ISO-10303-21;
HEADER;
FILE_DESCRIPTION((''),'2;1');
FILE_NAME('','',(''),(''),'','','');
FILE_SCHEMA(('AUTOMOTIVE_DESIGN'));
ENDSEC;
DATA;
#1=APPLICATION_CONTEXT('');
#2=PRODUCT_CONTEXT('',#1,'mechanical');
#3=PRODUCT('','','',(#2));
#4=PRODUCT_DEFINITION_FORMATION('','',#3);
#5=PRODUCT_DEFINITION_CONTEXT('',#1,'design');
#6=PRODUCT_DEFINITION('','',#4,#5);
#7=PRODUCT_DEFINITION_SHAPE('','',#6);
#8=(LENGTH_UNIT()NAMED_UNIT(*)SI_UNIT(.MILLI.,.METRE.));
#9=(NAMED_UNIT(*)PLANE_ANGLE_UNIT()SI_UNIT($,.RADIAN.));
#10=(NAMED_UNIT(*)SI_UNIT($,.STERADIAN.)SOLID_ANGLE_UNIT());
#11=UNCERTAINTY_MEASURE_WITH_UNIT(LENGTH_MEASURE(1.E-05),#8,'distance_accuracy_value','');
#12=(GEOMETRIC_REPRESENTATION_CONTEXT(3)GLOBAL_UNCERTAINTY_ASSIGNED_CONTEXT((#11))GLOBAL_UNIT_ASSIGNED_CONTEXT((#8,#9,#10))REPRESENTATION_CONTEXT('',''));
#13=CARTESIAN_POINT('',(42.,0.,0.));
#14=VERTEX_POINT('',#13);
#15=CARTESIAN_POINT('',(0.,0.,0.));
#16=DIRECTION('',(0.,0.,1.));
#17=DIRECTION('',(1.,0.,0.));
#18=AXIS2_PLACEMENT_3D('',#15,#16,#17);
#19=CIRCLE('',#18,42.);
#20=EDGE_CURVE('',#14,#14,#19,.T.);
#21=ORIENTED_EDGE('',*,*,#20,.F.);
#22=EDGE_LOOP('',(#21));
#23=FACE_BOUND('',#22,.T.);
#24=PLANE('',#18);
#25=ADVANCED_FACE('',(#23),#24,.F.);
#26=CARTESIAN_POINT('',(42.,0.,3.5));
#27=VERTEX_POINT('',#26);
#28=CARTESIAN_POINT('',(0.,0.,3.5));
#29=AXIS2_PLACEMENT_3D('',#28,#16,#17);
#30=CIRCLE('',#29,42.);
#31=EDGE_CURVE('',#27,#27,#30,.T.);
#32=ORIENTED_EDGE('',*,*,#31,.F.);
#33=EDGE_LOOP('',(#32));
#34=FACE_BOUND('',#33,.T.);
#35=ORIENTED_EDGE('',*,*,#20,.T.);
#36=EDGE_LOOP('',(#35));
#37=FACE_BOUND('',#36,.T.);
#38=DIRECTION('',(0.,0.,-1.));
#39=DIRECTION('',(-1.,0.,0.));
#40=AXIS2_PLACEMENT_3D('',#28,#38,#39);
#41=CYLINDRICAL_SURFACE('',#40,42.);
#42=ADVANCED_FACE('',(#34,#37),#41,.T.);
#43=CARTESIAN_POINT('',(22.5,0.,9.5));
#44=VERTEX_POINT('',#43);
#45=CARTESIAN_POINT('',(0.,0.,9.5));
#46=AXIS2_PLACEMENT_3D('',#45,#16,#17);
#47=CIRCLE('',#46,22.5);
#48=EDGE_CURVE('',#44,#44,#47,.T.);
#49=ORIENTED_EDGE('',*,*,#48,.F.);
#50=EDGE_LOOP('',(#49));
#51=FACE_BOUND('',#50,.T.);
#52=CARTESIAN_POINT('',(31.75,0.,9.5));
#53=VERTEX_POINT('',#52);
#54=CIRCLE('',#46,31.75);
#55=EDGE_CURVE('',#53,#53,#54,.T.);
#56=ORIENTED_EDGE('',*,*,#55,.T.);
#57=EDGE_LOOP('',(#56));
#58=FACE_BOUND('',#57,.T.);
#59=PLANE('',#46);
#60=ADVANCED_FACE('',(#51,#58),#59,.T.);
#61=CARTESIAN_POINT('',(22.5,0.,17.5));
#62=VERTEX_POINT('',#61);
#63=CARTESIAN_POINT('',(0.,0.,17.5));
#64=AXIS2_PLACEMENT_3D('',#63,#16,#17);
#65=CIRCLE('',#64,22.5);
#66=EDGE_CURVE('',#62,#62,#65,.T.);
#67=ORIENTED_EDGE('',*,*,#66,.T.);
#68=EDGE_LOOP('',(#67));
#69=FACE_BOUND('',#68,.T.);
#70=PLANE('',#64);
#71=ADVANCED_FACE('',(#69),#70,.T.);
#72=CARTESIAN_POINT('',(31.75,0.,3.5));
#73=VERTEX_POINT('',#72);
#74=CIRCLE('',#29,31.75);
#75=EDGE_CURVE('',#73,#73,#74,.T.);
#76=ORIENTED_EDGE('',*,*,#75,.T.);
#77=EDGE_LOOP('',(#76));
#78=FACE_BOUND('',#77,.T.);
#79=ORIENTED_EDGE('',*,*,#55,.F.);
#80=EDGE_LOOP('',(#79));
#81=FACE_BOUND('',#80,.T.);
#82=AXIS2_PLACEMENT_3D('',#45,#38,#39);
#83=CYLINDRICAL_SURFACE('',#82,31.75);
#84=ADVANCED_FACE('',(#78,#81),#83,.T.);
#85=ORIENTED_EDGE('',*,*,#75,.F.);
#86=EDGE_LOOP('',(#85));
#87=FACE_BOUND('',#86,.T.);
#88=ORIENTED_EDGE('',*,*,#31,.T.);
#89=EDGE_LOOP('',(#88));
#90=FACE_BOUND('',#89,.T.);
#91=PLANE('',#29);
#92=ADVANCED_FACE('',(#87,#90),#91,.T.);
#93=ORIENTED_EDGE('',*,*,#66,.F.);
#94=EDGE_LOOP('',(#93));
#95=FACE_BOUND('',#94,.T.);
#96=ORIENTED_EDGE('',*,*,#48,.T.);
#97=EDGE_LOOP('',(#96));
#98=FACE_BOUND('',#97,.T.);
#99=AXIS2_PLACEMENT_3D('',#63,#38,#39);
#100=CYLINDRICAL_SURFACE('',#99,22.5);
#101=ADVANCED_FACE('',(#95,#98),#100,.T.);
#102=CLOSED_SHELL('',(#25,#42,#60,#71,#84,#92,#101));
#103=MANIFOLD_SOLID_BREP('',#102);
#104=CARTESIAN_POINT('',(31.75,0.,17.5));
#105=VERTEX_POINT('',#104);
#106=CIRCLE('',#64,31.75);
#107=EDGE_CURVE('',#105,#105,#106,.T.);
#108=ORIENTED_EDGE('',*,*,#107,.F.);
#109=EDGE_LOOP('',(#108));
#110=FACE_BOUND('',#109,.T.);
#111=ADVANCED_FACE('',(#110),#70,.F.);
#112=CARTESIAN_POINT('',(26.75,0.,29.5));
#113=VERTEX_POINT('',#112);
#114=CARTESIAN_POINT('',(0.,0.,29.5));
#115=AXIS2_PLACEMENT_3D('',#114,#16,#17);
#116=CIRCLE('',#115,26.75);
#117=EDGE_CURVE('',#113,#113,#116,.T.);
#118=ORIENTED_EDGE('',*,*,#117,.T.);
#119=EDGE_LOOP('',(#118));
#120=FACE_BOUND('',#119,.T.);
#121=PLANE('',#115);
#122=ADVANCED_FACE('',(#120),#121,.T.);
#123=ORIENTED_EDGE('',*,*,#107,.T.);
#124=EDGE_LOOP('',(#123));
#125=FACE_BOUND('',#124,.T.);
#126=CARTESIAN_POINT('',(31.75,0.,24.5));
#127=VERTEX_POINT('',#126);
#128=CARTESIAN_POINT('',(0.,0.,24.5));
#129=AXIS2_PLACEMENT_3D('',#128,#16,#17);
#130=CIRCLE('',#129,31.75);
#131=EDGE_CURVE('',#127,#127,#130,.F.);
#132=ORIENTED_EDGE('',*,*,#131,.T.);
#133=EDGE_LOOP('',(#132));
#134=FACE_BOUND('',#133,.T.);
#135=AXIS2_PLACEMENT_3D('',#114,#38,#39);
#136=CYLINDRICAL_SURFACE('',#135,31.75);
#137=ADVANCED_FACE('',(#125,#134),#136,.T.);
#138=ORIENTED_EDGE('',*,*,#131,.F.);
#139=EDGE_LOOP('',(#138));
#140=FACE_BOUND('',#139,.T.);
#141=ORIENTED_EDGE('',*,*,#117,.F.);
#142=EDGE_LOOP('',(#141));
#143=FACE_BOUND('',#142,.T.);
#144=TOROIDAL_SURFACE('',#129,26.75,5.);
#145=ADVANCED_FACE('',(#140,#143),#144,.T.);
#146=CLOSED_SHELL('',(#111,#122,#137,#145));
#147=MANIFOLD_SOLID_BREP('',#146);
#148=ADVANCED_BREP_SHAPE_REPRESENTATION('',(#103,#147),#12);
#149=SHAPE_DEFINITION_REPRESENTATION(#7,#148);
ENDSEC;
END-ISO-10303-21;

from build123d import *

# Parameters (mm, degrees)
CROQUIS1_R              = 42
SALIENTE_EXTRUIR1_DEPTH = 3.5
CROQUIS2_R              = 31.75
SALIENTE_EXTRUIR2_DEPTH = 6
CROQUIS3_R              = 22.5
SALIENTE_EXTRUIR3_DEPTH = 8
CROQUIS4_R              = 31.75
SALIENTE_EXTRUIR4_DEPTH = 12
REDONDEO1_R             = 5


with BuildPart() as part:
    # Croquis1 → Saliente-Extruir1 (new body)
    with BuildSketch(Plane.XY):
        Circle(CROQUIS1_R)
    extrude(amount=SALIENTE_EXTRUIR1_DEPTH)

    # Croquis2 → Saliente-Extruir2 (add)
    with BuildSketch(Plane.XY.offset(3.5)):
        Circle(CROQUIS2_R)
    extrude(amount=SALIENTE_EXTRUIR2_DEPTH)

    # Croquis3 → Saliente-Extruir3 (add)
    with BuildSketch(Plane.XY.offset(9.5)):
        Circle(CROQUIS3_R)
    extrude(amount=SALIENTE_EXTRUIR3_DEPTH)


with BuildPart() as body_2:
    # Croquis4 → Saliente-Extruir4 (new body)
    with BuildSketch(Plane.XY.offset(17.5)):
        Circle(CROQUIS4_R)
    extrude(amount=SALIENTE_EXTRUIR4_DEPTH)

    # Redondeo1
    redondeo1_edges = [body_2.edges().sort_by_distance(p)[0] for p in [
        (-31.75, 0, 29.5),
    ]]
    fillet(redondeo1_edges, radius=REDONDEO1_R)


solid = Compound([part.part, body_2.part])
